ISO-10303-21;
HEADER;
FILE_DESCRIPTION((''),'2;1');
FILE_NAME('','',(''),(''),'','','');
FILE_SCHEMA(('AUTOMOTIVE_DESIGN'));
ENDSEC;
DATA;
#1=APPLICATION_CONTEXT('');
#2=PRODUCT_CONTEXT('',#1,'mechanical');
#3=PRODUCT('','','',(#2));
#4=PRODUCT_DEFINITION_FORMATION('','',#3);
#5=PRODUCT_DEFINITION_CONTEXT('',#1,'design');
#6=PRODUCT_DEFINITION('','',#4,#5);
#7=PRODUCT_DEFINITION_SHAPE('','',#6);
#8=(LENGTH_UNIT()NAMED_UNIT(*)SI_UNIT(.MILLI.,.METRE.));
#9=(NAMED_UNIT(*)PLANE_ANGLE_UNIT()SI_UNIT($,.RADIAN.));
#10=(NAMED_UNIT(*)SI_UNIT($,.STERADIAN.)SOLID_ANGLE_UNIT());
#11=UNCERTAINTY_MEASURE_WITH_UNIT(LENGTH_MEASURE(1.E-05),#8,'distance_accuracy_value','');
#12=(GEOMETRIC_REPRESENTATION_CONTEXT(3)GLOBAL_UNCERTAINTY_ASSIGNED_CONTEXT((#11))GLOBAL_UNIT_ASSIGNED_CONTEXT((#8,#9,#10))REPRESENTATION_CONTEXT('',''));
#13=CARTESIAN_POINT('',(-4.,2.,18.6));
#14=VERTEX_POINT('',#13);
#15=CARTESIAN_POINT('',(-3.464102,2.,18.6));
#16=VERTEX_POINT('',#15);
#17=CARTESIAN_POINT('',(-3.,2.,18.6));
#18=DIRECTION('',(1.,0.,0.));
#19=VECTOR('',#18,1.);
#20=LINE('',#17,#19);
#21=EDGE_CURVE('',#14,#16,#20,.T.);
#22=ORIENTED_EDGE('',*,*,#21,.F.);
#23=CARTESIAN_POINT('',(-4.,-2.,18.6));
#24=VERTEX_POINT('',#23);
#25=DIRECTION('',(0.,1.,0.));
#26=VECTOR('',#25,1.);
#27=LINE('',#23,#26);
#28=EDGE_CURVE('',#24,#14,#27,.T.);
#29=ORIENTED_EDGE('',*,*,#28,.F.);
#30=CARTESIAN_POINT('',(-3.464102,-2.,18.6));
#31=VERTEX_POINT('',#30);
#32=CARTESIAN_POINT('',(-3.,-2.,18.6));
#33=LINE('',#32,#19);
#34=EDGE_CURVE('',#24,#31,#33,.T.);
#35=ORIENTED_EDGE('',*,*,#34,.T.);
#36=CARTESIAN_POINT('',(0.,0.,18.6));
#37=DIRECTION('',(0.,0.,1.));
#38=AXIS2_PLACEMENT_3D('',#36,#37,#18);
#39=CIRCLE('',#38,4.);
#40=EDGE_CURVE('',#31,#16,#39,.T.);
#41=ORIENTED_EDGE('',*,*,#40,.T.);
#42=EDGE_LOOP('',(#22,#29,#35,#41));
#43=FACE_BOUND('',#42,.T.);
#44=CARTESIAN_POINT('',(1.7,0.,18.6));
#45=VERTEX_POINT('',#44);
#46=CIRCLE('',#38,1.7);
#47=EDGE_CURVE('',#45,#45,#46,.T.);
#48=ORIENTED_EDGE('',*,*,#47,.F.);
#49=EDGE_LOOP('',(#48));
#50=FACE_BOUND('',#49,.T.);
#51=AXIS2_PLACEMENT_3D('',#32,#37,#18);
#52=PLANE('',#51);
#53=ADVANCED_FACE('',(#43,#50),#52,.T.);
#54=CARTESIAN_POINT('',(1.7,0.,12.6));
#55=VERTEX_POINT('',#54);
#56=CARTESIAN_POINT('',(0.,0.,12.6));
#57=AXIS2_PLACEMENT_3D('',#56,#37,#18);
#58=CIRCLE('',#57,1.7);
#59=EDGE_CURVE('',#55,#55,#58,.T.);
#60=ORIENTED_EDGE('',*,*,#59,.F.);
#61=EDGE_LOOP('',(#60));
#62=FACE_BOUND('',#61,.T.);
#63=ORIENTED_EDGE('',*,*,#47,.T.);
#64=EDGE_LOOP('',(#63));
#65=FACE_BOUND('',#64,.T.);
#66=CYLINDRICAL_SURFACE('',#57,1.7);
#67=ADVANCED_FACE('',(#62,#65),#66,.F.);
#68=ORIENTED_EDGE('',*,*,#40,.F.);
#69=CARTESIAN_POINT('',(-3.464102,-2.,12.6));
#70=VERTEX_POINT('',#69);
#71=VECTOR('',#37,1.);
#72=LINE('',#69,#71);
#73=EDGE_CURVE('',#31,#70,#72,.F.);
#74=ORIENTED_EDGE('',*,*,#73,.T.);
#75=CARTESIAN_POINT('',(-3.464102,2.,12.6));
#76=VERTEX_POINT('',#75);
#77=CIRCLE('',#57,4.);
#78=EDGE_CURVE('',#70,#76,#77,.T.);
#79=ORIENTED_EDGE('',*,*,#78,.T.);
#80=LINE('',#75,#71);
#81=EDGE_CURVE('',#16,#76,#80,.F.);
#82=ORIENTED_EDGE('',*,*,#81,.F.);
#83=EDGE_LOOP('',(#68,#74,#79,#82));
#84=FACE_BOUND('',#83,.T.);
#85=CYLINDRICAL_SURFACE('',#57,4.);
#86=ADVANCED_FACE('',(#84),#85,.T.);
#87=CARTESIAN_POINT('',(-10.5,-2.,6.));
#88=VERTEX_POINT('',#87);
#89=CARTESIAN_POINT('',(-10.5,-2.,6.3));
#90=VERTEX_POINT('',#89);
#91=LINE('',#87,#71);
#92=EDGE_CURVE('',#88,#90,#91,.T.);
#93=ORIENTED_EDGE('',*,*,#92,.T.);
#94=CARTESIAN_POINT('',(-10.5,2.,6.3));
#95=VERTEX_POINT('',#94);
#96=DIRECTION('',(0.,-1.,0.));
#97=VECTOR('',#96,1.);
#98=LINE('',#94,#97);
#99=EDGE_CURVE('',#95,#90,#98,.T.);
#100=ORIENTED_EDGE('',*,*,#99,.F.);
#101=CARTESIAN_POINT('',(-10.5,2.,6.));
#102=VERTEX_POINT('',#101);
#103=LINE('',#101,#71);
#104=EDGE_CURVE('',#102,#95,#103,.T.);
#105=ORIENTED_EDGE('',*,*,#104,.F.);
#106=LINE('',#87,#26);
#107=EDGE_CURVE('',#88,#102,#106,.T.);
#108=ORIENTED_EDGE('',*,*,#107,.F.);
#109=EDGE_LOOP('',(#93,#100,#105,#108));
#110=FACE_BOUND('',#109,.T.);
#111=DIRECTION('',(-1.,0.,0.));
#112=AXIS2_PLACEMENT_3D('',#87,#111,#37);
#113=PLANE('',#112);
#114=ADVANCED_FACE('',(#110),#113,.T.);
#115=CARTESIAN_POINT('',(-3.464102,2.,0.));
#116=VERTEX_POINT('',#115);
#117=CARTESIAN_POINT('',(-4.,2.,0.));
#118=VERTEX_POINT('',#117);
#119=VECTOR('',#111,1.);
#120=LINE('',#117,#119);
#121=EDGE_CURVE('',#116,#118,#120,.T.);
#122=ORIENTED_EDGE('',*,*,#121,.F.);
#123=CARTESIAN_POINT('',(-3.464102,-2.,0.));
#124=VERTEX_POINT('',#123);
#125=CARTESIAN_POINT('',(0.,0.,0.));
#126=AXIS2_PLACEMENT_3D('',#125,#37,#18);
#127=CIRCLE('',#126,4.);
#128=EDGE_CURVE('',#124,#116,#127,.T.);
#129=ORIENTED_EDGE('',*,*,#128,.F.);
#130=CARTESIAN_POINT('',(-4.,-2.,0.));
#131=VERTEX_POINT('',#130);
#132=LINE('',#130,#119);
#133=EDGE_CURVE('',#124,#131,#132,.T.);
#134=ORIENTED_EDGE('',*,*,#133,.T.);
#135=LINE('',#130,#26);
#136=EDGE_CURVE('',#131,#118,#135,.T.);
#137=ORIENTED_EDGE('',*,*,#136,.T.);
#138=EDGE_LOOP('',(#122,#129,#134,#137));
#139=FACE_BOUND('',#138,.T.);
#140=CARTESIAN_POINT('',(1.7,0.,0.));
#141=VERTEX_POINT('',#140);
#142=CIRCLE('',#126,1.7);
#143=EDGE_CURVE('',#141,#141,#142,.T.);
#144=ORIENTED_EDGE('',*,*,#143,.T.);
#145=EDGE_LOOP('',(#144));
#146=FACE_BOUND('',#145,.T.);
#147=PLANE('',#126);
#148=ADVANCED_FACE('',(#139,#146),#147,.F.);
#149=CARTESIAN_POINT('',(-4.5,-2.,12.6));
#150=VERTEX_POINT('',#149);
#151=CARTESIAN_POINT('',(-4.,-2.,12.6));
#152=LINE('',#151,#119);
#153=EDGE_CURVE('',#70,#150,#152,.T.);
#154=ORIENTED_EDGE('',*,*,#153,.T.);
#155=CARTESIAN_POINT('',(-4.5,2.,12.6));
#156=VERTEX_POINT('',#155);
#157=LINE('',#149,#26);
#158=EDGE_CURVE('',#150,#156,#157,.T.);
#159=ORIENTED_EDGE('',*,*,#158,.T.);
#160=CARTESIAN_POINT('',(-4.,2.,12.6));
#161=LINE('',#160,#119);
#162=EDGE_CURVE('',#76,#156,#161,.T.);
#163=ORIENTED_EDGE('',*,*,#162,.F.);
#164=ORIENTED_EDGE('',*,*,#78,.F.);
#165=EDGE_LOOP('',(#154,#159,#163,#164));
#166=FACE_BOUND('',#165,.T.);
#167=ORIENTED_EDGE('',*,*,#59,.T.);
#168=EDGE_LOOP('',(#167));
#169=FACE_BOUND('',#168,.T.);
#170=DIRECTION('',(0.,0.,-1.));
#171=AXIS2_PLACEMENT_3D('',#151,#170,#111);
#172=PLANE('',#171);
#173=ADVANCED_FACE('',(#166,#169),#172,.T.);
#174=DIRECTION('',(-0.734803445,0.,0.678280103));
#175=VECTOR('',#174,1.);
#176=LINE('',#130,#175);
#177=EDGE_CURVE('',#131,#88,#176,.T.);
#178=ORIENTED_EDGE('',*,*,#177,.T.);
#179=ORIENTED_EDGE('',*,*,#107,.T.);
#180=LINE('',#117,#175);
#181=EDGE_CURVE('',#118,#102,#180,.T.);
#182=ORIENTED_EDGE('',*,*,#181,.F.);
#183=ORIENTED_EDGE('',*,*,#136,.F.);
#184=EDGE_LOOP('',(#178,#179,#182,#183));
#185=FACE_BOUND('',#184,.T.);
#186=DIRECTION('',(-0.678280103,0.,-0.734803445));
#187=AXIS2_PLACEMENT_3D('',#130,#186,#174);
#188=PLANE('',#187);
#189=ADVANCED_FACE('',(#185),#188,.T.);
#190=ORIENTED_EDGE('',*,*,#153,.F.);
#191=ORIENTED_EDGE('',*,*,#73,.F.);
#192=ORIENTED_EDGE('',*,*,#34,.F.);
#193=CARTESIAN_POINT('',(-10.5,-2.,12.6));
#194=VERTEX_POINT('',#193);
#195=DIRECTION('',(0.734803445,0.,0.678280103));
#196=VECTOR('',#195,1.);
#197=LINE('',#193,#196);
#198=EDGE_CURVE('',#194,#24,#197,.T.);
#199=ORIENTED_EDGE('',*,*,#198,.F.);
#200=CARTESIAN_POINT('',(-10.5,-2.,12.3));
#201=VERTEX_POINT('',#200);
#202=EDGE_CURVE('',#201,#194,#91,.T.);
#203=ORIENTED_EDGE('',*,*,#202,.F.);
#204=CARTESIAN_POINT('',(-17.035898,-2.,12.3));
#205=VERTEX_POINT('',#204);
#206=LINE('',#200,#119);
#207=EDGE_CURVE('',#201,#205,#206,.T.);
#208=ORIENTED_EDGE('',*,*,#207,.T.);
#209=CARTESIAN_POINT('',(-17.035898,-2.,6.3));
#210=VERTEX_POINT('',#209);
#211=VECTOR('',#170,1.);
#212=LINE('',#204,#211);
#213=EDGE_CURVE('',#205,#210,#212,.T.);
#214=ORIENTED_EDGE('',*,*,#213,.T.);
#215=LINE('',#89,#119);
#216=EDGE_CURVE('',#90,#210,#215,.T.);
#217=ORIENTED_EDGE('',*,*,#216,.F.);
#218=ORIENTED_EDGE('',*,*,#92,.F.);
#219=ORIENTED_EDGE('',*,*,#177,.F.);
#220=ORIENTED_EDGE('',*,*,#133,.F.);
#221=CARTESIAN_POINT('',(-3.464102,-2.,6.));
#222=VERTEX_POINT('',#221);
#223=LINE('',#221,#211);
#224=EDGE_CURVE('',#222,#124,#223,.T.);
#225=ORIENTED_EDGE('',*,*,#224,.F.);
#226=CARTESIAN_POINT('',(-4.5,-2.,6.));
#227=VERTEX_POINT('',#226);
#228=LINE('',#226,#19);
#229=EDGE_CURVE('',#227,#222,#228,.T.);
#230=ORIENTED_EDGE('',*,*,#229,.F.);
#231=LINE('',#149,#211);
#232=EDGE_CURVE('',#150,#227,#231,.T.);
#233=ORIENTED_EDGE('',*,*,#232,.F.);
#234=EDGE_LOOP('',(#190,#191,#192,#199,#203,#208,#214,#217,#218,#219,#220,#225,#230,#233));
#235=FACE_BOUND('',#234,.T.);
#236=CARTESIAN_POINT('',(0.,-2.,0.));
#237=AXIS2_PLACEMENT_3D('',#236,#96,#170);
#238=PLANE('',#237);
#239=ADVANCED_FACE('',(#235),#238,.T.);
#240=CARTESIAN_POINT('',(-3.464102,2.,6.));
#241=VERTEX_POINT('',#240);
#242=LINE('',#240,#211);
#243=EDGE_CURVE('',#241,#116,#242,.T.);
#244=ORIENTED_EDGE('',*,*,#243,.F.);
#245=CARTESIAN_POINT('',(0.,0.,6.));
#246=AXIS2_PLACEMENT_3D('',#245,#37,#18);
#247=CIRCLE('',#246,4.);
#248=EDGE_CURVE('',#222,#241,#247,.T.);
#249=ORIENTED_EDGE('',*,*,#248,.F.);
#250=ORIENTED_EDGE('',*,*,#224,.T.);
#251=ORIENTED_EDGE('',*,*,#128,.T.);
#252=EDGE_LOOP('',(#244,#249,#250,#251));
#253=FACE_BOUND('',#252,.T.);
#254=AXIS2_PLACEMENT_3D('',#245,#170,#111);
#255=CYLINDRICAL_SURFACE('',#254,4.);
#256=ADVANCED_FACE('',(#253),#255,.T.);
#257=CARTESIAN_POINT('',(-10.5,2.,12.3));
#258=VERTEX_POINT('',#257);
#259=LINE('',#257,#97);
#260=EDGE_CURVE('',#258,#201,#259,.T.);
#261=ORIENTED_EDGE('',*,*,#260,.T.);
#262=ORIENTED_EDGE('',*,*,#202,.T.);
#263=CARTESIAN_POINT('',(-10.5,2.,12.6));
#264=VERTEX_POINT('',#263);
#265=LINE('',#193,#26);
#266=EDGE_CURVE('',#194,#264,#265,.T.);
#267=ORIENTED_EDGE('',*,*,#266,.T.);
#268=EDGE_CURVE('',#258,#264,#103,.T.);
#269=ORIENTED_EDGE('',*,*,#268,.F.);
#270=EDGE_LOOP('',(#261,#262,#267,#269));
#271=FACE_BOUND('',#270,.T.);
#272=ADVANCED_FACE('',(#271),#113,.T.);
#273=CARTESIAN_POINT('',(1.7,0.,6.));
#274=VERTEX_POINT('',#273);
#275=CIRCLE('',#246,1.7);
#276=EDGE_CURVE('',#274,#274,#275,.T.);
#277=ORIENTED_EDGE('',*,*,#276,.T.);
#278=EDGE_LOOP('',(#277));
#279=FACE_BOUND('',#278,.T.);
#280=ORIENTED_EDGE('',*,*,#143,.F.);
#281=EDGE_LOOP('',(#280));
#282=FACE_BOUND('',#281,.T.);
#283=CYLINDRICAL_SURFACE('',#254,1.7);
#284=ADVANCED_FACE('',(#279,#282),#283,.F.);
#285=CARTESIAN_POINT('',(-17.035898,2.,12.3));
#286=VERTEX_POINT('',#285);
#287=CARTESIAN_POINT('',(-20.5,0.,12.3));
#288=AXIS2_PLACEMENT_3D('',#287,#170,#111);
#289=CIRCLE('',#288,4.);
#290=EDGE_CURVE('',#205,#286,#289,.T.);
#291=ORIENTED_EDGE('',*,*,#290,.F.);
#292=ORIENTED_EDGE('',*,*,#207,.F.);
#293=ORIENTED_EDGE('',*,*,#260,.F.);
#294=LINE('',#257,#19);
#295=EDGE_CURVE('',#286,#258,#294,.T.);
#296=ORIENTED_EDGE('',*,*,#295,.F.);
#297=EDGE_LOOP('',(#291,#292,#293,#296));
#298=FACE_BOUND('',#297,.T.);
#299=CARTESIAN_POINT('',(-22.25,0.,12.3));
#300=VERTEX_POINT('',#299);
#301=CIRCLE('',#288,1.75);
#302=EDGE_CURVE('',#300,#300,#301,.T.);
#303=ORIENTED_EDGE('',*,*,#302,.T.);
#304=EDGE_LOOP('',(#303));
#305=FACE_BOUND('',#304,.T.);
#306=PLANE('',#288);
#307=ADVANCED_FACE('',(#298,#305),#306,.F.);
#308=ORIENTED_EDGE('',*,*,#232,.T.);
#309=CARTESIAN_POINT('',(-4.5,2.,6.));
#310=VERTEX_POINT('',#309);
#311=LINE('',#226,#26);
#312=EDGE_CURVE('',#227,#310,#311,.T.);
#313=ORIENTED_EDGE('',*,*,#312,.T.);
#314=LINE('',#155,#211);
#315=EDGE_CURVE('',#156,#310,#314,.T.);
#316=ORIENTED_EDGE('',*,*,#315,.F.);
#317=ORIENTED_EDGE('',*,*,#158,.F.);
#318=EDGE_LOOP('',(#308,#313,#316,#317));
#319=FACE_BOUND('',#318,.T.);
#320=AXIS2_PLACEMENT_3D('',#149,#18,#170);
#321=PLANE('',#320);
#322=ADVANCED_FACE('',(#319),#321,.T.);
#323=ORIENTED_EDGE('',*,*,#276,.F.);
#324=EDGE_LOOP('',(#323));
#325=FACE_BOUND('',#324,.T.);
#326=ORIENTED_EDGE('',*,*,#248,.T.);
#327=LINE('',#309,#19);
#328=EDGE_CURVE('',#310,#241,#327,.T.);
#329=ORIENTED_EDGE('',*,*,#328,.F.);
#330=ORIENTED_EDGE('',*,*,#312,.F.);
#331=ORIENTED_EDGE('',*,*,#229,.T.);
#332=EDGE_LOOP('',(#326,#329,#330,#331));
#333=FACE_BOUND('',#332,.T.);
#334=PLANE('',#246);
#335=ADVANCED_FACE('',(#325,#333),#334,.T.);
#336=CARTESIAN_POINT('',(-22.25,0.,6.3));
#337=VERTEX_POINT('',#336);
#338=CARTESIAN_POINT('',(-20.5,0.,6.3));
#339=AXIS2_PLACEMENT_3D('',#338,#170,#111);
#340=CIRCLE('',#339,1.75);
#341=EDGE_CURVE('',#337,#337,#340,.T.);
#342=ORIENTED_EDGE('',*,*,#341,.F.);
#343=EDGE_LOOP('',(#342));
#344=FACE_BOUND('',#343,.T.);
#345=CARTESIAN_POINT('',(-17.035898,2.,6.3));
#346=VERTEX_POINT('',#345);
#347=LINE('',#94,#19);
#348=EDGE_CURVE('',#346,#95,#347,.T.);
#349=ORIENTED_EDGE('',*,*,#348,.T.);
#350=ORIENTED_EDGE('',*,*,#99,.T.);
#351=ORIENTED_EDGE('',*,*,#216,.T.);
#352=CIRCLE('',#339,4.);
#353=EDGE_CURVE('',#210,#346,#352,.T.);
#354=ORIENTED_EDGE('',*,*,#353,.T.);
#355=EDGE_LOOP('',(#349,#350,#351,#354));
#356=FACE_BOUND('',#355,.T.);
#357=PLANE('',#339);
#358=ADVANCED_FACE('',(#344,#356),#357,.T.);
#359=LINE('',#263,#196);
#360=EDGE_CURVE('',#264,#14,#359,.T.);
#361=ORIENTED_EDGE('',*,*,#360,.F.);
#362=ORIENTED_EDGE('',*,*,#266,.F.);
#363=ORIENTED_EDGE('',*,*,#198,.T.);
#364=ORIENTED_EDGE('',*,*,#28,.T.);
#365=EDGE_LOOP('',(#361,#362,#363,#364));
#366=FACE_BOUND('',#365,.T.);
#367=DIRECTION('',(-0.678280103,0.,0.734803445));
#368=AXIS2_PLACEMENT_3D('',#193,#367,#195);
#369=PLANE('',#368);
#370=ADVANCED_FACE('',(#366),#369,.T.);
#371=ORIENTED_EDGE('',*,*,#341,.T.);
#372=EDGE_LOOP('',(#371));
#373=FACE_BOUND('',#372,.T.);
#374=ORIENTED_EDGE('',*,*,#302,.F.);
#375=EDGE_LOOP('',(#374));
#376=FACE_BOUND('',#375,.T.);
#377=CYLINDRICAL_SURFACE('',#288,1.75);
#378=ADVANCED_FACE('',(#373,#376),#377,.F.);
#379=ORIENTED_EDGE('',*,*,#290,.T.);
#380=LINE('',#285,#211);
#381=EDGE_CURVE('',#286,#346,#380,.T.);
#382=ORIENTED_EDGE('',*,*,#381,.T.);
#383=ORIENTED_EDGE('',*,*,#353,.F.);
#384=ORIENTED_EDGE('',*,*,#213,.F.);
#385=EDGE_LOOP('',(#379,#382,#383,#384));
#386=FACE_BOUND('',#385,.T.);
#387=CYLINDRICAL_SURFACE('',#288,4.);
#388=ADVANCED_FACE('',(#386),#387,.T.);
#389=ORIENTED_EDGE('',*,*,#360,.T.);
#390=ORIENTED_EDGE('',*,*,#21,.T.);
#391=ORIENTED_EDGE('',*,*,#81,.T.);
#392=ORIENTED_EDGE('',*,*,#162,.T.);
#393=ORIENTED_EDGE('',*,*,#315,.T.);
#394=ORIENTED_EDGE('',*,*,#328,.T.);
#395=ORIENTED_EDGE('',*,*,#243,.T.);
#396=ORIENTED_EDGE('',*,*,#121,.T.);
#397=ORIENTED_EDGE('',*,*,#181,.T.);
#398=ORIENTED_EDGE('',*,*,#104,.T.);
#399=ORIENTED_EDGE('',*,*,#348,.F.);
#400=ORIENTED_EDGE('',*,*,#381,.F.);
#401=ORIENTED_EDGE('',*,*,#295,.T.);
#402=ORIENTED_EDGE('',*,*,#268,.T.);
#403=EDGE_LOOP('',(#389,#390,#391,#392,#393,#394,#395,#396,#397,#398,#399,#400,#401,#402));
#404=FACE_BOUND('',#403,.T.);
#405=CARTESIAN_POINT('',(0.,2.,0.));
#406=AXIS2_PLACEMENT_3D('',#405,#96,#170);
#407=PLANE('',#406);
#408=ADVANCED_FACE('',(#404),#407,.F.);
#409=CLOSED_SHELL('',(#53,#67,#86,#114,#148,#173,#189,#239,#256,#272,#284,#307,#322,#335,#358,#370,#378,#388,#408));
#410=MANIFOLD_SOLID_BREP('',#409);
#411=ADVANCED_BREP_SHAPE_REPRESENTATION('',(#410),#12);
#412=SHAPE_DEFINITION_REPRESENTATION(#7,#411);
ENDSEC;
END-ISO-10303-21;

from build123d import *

# Parameters (mm, degrees)
SKETCH_1_R           = 4
SKETCH_1_R_2         = 1.7
EXTRUDE_1_DEPTH      = 6
EXTRUDE_2_DEPTH      = 2
EXTRUDE_2_DEPTH_BACK = 2
EXTRUDE_3_DEPTH      = 3
EXTRUDE_3_DEPTH_BACK = 3
SKETCH_3_R           = 1.75


with BuildPart() as part:
    # Эскиз1 → Бобышка-Вытянуть1 (new body)
    with BuildSketch(Plane.XY):
        Circle(SKETCH_1_R)
        Circle(SKETCH_1_R_2, mode=Mode.SUBTRACT)
    extrude_1 = extrude(amount=EXTRUDE_1_DEPTH)

    # Эскиз2 → Бобышка-Вытянуть2 (add, two sides: drawn at the far end of the back side and taken through both)
    with BuildSketch(Plane(origin=(0, 0, 0), x_dir=(1, 0, 0), z_dir=(0, 1, 0)).offset(-EXTRUDE_2_DEPTH_BACK)):
        Polygon((-4, 0), (-10.5, -6), (-10.5, -12.6), (-4, -18.6), (-3, -18.6), (-3, -12.6), (-4, -12.6), (-4.5, -12.6), (-4.5, -6), (-4, -6), (-3, -6), (-3, 0), align=None)
    extrude(amount=EXTRUDE_2_DEPTH + EXTRUDE_2_DEPTH_BACK)

    # Зеркальное отражение1: Бобышка-Вытянуть1 across plane
    add(extrude_1.mirror(Plane(origin=(0, 0, 9.3), x_dir=(1, 0, 0), z_dir=(0, 0, -1))))

    # Эскиз3 → Бобышка-Вытянуть3 (add, two sides: drawn at the far end of the back side and taken through both)
    with BuildSketch(Plane(origin=(0, 0, 9.3), x_dir=(-1, 0, 0), z_dir=(0, 0, -1)).offset(-EXTRUDE_3_DEPTH_BACK)):
        with BuildLine():
            Line((10.5, 2), (17.035898385, 2))
            ThreePointArc((17.035898385, 2), (24.5, 0), (17.035898385, -2))
            Line((17.035898385, -2), (10.5, -2))
            Line((10.5, -2), (10.5, 2))
        make_face()
        with Locations((20.5, 0)):
            Circle(SKETCH_3_R, mode=Mode.SUBTRACT)
    extrude(amount=EXTRUDE_3_DEPTH + EXTRUDE_3_DEPTH_BACK)


solid = part.part
